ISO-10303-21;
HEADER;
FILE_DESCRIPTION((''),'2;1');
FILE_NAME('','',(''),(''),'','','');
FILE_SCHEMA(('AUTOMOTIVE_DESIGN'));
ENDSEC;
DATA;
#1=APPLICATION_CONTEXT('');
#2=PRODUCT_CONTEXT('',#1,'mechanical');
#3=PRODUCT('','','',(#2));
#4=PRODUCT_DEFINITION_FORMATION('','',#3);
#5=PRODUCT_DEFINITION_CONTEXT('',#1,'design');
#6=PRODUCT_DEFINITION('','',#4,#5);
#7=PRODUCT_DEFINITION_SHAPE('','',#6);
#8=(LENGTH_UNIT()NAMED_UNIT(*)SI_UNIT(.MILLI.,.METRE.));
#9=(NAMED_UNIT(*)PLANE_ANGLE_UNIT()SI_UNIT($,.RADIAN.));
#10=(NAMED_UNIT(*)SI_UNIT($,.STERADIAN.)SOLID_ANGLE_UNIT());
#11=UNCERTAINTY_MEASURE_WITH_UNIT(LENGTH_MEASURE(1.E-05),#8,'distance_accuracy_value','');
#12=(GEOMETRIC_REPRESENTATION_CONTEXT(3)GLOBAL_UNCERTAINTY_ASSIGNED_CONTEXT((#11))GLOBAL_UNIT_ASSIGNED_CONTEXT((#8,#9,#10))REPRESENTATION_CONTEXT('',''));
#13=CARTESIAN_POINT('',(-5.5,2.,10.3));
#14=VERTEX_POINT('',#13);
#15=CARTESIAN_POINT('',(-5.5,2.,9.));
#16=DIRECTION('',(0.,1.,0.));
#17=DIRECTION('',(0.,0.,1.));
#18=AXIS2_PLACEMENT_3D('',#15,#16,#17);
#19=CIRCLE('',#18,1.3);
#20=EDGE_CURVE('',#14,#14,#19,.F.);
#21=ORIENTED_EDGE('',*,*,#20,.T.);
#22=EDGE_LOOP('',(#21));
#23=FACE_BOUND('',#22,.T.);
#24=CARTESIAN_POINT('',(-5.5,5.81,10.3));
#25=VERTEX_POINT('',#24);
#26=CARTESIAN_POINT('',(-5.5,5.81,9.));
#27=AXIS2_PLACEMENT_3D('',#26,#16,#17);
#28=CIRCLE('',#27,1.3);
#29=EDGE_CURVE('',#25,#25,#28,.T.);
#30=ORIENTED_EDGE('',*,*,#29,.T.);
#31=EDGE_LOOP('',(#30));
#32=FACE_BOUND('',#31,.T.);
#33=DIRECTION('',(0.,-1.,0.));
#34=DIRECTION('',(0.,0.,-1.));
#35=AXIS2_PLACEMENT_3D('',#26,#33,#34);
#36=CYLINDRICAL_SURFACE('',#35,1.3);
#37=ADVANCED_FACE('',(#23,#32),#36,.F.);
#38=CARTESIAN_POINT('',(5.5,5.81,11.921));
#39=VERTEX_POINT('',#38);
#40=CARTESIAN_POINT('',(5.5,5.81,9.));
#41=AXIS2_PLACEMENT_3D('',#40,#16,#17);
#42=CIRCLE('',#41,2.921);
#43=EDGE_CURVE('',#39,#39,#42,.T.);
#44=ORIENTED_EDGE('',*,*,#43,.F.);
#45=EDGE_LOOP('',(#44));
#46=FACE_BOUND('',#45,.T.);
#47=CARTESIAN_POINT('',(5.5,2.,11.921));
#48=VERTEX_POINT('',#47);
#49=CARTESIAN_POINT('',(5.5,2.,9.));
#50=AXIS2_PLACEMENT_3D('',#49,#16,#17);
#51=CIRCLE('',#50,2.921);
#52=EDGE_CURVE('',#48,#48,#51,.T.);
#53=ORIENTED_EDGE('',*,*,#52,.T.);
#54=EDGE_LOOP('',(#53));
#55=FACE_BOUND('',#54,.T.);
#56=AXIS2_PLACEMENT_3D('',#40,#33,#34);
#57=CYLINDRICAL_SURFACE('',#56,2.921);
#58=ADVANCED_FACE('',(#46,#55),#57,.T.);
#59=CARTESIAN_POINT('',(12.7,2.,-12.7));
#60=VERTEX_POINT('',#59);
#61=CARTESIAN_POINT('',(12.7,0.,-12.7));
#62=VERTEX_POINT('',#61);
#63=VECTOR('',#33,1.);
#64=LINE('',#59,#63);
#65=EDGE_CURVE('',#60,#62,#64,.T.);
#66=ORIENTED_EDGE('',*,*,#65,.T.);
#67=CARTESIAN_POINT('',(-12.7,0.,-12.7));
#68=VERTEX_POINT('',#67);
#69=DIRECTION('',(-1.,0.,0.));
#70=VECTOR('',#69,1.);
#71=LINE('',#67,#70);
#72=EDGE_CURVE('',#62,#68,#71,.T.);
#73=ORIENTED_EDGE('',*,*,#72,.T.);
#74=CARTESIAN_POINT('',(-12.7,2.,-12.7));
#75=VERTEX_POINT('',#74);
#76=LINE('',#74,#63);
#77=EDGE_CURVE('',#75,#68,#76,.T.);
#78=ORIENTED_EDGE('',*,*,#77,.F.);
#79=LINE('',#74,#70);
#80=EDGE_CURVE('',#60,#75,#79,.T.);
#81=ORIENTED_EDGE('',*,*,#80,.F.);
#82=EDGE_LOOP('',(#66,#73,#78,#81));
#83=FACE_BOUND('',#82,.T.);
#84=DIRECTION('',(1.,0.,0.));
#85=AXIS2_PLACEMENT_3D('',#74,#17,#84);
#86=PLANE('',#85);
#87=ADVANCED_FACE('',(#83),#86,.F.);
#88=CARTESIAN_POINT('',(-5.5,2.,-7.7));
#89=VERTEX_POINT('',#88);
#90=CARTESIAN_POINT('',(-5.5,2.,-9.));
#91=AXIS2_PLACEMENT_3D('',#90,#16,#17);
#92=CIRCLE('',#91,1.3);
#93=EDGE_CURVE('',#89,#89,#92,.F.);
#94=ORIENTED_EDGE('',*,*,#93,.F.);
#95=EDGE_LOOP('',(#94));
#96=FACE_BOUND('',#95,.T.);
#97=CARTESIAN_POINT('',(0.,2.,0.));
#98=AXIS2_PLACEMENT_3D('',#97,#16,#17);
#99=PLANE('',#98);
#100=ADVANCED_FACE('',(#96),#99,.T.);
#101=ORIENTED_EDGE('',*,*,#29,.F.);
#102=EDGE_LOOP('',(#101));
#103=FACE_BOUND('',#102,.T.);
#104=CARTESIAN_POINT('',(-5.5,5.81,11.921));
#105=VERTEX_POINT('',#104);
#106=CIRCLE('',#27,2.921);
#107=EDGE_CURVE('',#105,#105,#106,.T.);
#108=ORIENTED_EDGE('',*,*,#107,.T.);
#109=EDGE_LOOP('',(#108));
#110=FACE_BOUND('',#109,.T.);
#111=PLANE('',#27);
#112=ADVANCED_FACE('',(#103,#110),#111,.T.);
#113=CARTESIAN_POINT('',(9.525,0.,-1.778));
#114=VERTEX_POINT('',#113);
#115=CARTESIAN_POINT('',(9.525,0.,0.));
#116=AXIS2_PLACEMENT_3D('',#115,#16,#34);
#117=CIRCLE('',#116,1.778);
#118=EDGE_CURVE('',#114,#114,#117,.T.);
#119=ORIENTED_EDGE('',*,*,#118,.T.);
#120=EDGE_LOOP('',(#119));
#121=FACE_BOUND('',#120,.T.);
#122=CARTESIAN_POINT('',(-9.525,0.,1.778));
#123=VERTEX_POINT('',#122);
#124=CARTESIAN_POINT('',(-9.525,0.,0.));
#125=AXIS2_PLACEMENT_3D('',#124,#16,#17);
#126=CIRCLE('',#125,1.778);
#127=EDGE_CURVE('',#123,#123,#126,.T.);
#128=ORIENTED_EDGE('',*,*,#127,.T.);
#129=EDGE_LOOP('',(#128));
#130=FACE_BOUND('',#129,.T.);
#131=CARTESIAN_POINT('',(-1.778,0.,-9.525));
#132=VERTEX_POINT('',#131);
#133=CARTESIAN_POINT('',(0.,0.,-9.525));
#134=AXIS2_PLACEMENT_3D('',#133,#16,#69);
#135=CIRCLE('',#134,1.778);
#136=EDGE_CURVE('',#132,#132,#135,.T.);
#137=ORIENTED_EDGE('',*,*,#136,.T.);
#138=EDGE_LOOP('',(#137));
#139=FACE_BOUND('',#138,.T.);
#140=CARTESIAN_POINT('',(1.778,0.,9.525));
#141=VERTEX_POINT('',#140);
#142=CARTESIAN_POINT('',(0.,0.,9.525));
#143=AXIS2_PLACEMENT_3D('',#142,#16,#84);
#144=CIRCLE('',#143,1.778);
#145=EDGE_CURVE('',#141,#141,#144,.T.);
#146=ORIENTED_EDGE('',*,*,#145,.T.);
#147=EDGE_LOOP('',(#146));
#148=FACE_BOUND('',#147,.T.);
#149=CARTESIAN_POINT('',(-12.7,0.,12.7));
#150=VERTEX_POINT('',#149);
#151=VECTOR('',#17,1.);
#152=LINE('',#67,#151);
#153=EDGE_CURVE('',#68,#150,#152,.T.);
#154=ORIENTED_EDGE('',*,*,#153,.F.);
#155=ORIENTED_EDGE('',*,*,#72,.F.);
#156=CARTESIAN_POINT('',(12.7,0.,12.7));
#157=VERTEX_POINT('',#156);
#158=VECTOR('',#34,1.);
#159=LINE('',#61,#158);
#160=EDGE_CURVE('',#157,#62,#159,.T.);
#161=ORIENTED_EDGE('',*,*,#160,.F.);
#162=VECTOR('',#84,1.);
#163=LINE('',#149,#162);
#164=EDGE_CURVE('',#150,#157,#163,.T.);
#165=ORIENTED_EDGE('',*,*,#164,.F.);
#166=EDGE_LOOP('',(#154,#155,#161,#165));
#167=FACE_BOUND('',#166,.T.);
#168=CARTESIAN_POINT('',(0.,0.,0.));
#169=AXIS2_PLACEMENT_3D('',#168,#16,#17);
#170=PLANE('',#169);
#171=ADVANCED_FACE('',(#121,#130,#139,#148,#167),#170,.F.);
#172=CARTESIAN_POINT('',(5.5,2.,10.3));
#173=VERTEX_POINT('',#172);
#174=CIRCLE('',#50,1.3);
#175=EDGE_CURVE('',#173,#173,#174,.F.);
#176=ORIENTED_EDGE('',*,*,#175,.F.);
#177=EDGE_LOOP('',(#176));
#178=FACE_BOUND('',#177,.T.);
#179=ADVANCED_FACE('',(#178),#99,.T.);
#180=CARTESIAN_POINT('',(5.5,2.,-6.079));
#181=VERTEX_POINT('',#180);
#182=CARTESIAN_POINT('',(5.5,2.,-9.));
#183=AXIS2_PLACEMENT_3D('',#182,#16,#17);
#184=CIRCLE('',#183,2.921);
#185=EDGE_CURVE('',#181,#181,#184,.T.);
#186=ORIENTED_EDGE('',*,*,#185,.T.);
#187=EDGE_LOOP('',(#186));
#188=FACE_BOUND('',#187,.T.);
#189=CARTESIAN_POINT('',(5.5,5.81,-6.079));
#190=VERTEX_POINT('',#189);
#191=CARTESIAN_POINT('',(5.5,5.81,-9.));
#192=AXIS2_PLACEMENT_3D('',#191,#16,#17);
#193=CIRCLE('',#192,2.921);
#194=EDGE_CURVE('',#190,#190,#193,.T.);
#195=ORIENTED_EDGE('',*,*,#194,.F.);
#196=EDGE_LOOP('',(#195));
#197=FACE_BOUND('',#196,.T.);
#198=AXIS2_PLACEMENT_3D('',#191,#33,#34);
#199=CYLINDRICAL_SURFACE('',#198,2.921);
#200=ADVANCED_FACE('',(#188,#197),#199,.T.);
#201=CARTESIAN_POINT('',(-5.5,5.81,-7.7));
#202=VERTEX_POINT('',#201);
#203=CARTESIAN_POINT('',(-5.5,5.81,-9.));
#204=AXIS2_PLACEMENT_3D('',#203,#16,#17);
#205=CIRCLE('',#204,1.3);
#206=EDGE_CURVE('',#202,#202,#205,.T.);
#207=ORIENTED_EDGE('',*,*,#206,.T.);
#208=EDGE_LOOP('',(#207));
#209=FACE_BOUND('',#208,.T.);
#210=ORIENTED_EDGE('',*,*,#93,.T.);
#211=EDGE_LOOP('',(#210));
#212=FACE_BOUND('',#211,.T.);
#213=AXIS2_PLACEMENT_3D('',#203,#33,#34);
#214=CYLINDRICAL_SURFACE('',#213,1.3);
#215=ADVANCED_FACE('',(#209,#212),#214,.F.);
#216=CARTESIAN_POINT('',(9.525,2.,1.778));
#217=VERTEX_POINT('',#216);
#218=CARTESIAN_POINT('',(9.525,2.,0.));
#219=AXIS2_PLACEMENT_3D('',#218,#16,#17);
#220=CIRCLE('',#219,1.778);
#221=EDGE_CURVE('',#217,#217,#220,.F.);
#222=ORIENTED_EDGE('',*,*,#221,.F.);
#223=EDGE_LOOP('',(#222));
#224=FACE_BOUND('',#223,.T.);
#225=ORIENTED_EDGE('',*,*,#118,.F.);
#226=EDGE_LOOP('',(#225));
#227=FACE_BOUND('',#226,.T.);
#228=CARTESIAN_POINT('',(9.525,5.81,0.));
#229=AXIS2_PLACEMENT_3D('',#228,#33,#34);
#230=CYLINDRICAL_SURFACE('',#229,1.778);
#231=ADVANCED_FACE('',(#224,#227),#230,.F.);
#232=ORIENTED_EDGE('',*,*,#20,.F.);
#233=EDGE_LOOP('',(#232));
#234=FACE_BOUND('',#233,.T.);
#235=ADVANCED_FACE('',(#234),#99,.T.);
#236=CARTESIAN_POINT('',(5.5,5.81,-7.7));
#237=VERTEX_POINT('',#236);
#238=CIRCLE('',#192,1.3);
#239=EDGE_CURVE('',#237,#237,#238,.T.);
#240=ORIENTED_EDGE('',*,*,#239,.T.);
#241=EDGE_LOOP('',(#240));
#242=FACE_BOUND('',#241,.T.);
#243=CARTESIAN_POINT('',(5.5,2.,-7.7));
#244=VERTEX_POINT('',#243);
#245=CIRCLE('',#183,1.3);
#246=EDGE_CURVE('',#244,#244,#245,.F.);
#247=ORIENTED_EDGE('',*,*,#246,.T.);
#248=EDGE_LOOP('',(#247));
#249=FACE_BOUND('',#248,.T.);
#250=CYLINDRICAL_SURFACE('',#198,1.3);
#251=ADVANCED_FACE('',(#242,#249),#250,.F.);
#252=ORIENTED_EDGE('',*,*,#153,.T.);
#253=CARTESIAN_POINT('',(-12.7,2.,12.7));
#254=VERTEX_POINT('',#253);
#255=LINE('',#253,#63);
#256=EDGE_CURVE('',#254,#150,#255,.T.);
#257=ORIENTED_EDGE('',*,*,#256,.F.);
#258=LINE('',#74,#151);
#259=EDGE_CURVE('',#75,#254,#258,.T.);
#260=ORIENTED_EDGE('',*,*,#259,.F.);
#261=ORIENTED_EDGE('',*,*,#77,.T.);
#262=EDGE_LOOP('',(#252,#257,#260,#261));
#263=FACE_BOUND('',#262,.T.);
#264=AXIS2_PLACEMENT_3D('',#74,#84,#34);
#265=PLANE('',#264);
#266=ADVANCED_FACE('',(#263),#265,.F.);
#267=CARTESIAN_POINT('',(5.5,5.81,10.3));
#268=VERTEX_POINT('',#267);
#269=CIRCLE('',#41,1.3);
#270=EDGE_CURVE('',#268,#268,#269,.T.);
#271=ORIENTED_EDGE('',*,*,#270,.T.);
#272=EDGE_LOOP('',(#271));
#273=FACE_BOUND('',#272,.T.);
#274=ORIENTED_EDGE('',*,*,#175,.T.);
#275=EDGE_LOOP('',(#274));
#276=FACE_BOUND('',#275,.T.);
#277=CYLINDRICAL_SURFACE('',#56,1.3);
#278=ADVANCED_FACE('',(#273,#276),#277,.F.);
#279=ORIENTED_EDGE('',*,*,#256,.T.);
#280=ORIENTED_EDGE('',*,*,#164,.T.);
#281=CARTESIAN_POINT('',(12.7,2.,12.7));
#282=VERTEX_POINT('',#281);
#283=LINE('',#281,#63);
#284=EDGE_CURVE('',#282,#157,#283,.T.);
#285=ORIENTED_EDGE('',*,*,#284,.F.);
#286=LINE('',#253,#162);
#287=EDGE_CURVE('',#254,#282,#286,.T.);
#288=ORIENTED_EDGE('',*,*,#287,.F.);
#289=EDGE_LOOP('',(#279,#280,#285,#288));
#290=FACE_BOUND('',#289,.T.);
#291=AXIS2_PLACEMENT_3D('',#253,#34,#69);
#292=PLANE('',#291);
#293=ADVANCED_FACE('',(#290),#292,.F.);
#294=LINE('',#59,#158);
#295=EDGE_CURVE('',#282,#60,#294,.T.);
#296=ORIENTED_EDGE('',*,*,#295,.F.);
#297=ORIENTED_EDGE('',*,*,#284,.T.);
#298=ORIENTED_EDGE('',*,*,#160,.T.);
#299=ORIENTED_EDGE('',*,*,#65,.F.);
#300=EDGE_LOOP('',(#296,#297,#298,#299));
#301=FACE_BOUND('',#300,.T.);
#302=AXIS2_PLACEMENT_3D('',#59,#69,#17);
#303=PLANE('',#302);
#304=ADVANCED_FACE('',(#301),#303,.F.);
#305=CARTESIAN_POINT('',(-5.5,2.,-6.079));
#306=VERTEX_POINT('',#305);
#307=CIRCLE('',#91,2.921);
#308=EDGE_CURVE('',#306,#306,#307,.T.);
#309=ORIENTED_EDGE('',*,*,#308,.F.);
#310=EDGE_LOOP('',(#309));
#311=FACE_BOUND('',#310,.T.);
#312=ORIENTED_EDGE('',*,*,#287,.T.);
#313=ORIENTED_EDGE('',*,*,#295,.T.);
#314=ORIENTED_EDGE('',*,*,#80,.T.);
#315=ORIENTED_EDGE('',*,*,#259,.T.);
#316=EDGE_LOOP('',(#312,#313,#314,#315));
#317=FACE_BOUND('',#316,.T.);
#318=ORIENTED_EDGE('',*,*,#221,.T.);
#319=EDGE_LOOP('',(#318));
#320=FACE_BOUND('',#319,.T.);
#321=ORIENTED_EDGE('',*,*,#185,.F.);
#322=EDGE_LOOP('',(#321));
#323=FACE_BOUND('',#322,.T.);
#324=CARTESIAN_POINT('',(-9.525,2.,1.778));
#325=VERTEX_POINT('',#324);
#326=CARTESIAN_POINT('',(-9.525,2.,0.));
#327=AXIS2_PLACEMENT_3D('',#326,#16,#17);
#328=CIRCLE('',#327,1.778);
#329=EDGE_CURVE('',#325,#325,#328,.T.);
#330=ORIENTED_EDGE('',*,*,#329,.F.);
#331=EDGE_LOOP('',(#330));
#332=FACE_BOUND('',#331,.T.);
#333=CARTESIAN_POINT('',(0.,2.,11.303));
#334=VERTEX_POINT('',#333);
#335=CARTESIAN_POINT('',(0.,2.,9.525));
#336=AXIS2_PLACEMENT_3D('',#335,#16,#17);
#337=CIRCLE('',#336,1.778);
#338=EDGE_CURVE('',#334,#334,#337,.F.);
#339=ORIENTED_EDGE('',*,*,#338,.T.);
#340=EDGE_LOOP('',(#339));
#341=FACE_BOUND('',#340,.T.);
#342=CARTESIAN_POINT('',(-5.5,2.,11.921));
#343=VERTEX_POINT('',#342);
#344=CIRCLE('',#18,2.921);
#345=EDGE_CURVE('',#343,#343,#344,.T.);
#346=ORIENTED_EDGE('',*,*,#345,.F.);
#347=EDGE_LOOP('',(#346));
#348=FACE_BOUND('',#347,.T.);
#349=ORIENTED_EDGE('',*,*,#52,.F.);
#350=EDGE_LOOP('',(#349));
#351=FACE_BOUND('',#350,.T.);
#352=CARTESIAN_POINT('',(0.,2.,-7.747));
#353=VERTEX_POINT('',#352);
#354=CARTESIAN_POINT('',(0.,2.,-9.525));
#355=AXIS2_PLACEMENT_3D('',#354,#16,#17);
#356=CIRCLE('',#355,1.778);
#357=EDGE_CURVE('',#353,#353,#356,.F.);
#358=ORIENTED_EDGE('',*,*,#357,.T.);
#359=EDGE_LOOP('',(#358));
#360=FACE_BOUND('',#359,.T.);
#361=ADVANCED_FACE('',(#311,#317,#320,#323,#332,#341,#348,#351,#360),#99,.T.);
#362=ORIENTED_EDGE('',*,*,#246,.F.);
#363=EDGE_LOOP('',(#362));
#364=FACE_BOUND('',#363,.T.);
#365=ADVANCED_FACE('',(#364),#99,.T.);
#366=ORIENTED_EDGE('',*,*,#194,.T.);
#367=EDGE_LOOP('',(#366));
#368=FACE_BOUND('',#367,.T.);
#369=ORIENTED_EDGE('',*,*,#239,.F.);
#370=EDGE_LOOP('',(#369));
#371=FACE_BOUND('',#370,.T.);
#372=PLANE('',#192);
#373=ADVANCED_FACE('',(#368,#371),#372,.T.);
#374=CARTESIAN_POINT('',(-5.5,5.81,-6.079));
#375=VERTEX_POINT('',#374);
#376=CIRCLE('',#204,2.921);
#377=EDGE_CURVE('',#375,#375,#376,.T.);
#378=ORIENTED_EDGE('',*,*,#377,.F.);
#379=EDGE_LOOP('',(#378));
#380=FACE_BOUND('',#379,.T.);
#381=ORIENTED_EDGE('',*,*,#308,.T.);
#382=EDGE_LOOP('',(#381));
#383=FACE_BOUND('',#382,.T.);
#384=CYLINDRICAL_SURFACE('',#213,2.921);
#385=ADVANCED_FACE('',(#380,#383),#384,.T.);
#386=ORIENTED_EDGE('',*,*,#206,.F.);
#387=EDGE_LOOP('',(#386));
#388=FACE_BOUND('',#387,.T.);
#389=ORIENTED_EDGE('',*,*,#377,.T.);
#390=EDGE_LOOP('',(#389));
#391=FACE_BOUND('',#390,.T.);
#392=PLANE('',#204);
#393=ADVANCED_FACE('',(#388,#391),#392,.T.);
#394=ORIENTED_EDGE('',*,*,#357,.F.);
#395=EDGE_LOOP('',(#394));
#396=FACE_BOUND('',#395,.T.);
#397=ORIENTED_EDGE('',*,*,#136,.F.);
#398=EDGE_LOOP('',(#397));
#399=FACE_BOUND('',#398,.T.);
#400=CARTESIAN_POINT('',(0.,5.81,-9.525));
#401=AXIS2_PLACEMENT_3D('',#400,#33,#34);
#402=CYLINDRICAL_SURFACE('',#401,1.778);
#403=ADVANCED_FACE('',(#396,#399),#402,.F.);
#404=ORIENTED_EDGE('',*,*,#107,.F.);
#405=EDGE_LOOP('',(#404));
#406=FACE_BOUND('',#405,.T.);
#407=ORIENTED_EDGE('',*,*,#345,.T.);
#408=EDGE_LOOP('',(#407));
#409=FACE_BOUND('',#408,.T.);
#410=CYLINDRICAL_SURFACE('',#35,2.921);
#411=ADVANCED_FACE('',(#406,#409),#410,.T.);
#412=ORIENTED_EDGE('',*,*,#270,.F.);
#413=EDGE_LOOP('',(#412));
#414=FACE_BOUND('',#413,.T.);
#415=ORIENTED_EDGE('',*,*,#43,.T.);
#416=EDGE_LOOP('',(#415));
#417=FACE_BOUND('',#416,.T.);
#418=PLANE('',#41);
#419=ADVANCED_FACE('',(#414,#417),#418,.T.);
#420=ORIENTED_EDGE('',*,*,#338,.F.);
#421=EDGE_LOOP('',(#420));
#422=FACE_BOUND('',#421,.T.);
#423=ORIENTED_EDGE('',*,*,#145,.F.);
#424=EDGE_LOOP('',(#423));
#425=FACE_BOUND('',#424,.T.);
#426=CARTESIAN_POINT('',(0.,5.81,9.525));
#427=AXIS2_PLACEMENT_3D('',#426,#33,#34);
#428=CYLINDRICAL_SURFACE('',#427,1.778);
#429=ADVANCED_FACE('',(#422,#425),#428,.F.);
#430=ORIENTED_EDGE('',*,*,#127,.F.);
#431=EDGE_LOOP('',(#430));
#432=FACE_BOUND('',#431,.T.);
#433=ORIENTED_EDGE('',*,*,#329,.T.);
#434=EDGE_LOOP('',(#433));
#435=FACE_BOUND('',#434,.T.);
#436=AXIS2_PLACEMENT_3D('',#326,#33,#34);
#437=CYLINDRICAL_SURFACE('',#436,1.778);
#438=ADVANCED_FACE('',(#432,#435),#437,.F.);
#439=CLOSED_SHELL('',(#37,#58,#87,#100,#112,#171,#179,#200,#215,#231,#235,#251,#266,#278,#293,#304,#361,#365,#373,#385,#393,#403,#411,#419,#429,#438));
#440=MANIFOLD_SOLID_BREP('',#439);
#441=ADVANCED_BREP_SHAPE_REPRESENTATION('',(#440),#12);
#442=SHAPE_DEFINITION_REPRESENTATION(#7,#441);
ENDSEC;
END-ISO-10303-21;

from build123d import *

# Parameters (mm, degrees)
SKETCH1_W           = 25.4
SKETCH1_H           = 25.4
BOSS_EXTRUDE1_DEPTH = 2
SKETCH4_R           = 1.778
CUT_EXTRUDE1_DEPTH  = 3
SKETCH3_R           = 2.921
SKETCH3_R_2         = 1.3
BOSS_EXTRUDE2_DEPTH = 3.81
CIRPATTERN2_COUNT   = 4


with BuildPart() as part:
    # Sketch1 → Boss-Extrude1 (new body)
    with BuildSketch(Plane(origin=(0, 0, 0), x_dir=(1, 0, 0), z_dir=(0, 1, 0))):
        Rectangle(SKETCH1_W, SKETCH1_H)
    extrude(amount=BOSS_EXTRUDE1_DEPTH)

    # Sketch4 → Cut-Extrude1 (cut, through all)
    with BuildSketch(Plane(origin=(0, 0, 0), x_dir=(1, 0, 0), z_dir=(0, 1, 0))):
        with Locations((-9.525, 0)):
            Circle(SKETCH4_R)
    cut_extrude1 = extrude(amount=CUT_EXTRUDE1_DEPTH, mode=Mode.SUBTRACT)

    # Sketch3 → Boss-Extrude2 (add)
    with BuildSketch(Plane(origin=(0, 2, 0), x_dir=(1, 0, 0), z_dir=(0, 1, 0))):
        with Locations((-5.5, 9)):
            Circle(SKETCH3_R)
        with Locations((-5.5, 9)):
            Circle(SKETCH3_R_2, mode=Mode.SUBTRACT)
        with Locations((5.5, 9)):
            Circle(SKETCH3_R)
        with Locations((5.5, 9)):
            Circle(SKETCH3_R_2, mode=Mode.SUBTRACT)
        with Locations((5.5, -9)):
            Circle(SKETCH3_R)
        with Locations((5.5, -9)):
            Circle(SKETCH3_R_2, mode=Mode.SUBTRACT)
        with Locations((-5.5, -9)):
            Circle(SKETCH3_R)
        with Locations((-5.5, -9)):
            Circle(SKETCH3_R_2, mode=Mode.SUBTRACT)
    extrude(amount=BOSS_EXTRUDE2_DEPTH)

    # CirPattern2: Cut-Extrude1 ×4 about axis
    cirpattern2_axis = Axis((0, 0, 0), (0, 1, 0))
    for i in range(1, CIRPATTERN2_COUNT):
        add(cut_extrude1.rotate(cirpattern2_axis, i * 360 / CIRPATTERN2_COUNT), mode=Mode.SUBTRACT)


solid = part.part
